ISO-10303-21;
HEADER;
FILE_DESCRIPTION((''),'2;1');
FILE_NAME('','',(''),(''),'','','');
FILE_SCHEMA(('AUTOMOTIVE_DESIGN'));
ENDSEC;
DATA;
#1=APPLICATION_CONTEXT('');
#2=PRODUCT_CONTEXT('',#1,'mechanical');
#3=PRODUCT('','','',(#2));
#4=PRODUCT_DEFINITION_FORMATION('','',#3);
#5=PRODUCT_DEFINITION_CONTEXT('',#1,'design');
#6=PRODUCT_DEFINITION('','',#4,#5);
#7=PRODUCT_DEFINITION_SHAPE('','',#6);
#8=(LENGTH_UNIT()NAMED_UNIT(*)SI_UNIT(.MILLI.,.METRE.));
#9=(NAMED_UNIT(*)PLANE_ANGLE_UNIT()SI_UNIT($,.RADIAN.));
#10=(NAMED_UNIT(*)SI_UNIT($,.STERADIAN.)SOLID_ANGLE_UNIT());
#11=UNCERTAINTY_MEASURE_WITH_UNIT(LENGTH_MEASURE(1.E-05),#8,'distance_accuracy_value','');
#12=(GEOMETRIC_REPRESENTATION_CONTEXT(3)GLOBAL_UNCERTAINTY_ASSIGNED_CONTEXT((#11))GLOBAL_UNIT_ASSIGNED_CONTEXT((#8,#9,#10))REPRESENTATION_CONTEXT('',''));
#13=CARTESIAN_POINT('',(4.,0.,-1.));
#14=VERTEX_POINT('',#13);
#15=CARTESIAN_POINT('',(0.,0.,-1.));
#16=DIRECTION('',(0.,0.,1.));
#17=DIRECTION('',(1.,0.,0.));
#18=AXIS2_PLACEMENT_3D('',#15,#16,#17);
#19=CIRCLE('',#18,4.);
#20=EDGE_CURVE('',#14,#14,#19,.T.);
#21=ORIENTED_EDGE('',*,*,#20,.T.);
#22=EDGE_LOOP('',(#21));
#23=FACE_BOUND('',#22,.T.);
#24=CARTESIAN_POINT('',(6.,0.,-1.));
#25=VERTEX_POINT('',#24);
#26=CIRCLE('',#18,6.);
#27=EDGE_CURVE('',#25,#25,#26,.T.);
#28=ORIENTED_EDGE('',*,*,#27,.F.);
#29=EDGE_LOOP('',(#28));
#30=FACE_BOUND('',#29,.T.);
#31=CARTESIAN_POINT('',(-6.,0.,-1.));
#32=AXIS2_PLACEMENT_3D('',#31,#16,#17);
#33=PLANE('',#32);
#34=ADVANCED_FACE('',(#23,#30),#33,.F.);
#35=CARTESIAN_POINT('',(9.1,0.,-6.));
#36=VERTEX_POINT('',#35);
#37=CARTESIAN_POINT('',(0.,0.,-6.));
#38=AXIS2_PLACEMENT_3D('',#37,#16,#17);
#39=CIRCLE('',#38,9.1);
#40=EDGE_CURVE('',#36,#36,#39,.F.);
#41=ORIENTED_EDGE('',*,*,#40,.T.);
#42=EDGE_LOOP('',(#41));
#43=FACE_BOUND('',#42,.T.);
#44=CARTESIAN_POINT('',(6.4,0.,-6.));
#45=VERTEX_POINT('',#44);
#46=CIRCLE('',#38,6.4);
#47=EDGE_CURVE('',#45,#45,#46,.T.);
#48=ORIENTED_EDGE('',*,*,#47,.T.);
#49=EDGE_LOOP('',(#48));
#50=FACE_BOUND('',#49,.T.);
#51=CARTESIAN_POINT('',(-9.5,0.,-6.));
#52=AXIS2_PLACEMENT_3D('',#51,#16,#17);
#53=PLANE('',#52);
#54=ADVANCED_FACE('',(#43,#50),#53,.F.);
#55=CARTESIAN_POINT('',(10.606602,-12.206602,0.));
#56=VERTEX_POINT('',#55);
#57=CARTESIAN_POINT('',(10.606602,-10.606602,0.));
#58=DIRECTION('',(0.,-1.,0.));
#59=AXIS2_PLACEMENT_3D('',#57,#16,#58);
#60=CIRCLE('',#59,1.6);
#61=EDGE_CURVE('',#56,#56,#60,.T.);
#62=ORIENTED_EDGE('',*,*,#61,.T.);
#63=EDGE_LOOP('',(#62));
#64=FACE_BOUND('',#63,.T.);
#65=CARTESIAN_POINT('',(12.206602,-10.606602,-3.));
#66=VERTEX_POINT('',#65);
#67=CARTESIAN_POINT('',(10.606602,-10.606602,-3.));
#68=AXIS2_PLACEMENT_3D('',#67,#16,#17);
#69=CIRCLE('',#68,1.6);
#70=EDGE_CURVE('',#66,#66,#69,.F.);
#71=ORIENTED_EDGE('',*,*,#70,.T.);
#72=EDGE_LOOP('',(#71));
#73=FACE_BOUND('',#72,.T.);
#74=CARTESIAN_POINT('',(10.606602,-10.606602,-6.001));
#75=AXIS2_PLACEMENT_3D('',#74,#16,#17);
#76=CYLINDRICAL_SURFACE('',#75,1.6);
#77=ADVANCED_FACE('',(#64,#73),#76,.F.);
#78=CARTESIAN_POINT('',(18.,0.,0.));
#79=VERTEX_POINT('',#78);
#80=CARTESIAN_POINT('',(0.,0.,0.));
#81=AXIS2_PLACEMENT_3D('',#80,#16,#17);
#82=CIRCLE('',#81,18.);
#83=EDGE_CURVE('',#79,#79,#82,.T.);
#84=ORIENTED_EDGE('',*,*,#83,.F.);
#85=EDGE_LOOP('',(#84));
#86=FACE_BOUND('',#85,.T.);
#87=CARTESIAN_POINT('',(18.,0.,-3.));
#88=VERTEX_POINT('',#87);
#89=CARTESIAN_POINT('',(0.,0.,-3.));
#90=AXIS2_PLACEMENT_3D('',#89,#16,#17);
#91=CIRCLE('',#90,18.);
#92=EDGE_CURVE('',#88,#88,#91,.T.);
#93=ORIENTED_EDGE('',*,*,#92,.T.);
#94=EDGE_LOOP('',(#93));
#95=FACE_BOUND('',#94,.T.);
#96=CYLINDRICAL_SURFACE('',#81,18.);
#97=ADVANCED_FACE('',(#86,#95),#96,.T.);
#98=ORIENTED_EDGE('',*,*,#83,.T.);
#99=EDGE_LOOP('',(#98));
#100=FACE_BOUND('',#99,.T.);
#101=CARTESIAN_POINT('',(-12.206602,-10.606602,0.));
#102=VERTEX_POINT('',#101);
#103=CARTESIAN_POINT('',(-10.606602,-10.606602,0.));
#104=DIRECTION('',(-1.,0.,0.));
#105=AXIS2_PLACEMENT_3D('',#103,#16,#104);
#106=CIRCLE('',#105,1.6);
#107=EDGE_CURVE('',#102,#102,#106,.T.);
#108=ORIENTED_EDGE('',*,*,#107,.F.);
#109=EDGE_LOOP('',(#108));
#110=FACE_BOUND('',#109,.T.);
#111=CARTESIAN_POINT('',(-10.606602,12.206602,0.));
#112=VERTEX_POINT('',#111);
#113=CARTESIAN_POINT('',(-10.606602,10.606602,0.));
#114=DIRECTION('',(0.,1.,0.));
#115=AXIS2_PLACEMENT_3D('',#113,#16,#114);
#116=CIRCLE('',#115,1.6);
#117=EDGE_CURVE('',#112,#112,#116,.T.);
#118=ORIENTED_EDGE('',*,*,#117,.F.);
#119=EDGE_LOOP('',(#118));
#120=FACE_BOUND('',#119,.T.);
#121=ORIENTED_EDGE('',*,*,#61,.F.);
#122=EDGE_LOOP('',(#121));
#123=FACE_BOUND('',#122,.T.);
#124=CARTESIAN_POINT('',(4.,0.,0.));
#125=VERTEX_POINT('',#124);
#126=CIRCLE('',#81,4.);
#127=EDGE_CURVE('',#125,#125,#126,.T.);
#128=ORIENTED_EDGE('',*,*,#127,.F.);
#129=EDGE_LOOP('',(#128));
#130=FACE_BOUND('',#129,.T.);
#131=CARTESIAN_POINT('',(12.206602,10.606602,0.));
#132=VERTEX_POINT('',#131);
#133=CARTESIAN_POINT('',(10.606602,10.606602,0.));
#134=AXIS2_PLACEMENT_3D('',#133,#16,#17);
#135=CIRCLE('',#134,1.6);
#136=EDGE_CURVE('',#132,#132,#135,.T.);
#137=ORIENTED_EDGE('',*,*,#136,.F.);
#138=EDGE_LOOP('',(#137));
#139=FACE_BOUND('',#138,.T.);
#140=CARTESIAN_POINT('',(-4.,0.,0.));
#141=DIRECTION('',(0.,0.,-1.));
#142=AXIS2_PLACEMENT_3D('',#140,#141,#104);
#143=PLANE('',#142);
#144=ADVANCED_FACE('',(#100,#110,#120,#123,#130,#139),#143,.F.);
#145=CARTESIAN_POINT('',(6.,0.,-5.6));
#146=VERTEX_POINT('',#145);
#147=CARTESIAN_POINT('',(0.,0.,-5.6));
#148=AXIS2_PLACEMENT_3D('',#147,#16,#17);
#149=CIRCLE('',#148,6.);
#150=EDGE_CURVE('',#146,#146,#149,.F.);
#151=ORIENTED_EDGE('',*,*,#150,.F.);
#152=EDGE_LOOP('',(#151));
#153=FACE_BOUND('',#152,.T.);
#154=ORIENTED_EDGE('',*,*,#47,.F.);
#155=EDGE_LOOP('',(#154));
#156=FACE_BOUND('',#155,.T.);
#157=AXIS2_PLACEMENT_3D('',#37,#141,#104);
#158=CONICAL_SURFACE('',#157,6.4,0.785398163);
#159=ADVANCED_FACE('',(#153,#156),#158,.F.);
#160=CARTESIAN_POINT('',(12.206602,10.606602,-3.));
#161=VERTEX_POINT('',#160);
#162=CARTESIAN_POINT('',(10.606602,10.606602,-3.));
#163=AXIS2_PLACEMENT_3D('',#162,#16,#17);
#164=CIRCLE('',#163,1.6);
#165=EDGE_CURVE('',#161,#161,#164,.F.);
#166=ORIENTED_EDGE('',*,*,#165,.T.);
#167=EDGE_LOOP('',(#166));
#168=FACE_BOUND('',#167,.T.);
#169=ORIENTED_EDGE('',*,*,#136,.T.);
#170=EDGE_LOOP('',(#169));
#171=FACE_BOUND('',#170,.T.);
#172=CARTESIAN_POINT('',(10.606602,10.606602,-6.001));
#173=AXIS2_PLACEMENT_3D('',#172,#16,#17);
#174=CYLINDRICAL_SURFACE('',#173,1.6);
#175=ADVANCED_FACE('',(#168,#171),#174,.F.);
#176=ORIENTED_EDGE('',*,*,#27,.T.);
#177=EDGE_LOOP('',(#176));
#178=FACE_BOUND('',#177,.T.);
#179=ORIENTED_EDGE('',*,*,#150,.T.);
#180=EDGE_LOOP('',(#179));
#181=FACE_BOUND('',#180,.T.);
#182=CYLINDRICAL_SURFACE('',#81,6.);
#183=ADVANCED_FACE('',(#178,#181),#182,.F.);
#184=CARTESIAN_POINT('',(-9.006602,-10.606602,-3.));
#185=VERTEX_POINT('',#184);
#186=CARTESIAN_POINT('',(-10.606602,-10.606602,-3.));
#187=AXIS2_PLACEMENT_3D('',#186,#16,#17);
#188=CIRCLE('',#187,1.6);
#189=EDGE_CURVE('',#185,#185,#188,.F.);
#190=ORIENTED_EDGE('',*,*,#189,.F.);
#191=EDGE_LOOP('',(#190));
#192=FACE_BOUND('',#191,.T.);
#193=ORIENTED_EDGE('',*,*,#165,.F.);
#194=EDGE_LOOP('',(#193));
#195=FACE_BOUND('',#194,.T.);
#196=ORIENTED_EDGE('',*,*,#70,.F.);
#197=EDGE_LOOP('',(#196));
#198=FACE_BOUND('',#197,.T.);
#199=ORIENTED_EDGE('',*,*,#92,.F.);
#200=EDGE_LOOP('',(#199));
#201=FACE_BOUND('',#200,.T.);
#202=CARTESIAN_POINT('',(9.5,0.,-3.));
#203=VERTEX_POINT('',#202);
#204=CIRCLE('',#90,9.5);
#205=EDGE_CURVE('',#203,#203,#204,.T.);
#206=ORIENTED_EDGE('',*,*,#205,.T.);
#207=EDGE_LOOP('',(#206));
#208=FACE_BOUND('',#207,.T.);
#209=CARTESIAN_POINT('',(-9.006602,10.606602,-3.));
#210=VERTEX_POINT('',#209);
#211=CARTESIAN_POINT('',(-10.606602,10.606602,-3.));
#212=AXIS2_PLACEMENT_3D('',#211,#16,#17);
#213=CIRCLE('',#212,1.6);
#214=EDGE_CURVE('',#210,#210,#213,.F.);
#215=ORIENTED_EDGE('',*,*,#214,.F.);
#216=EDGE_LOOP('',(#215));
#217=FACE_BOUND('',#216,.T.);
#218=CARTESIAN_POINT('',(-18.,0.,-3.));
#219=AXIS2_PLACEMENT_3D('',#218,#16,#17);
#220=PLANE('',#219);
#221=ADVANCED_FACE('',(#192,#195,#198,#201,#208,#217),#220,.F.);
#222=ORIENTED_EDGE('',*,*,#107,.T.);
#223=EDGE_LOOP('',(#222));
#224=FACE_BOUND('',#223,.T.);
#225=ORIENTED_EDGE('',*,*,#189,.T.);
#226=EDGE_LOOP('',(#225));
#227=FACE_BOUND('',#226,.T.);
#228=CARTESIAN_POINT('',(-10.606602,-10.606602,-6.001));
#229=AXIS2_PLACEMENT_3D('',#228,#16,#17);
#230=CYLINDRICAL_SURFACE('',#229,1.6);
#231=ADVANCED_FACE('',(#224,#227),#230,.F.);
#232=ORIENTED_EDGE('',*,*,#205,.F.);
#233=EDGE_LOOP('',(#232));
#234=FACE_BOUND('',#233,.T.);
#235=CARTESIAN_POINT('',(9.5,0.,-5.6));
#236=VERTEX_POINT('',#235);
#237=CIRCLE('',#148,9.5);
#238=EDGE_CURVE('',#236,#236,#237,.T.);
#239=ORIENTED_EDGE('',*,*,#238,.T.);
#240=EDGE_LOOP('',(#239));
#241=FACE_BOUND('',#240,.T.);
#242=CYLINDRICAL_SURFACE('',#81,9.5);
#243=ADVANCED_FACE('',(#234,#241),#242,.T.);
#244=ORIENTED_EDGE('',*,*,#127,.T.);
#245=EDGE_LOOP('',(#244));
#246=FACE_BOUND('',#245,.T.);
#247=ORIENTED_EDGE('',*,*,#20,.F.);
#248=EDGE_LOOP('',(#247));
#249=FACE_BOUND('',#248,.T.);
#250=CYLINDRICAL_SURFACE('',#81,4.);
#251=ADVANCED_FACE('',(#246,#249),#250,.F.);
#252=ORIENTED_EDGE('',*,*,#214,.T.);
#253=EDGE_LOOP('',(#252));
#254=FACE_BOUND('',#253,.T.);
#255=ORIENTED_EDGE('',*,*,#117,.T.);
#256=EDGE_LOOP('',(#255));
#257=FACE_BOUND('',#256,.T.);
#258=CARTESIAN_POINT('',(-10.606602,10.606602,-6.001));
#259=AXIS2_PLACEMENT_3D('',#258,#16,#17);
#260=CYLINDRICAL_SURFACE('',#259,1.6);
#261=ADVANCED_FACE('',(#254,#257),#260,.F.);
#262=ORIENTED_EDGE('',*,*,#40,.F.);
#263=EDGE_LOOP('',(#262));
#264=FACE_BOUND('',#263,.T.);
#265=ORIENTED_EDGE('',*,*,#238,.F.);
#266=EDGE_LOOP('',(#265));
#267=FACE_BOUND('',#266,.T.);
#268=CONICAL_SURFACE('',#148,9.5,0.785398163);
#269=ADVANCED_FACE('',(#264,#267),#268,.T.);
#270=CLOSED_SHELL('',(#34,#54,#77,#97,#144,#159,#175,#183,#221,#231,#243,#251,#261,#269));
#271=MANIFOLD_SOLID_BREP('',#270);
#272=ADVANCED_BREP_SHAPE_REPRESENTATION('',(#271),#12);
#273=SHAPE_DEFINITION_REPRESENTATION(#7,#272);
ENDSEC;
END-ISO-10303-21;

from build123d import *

# Parameters (mm, degrees)
SKETCH_2_R               = 1.6
CUT_EXTRUDE_1_DEPTH      = 3
PATTERN_CIRCULAR_1_COUNT = 4
CHAMFER_1_SIZE           = 0.4


with BuildPart() as part:
    # Эскиз1 → Повернуть1 (revolve)
    with BuildSketch(Plane(origin=(0, 0, 0), x_dir=(1, 0, 0), z_dir=(0, 1, 0))):
        Polygon((-4, 0), (-18, 0), (-18, 3), (-9.5, 3), (-9.5, 6), (-6, 6), (-6, 1), (-4, 1), align=None)
    revolve(axis=Axis((0, 0, 0), (0, 0, -1)))

    # Эскиз2 → Вырез-Вытянуть1 (cut)
    with BuildSketch(Plane.XY):
        with Locations((10.606601718, 10.606601718)):
            Circle(SKETCH_2_R)
    cut_extrude_1 = extrude(amount=-CUT_EXTRUDE_1_DEPTH, mode=Mode.SUBTRACT)

    # Круговой массив1: Вырез-Вытянуть1 ×4 about axis
    pattern_circular_1_axis = Axis((0, 0, 0), (0, 0, 1))
    for i in range(1, PATTERN_CIRCULAR_1_COUNT):
        add(cut_extrude_1.rotate(pattern_circular_1_axis, i * 360 / PATTERN_CIRCULAR_1_COUNT), mode=Mode.SUBTRACT)

    # Фаска1
    chamfer_1_edges = [part.edges().sort_by_distance(p)[0] for p in [
        (6, 0, -6),
        (9.5, 0, -6),
    ]]
    chamfer(chamfer_1_edges, length=CHAMFER_1_SIZE)


solid = part.part
